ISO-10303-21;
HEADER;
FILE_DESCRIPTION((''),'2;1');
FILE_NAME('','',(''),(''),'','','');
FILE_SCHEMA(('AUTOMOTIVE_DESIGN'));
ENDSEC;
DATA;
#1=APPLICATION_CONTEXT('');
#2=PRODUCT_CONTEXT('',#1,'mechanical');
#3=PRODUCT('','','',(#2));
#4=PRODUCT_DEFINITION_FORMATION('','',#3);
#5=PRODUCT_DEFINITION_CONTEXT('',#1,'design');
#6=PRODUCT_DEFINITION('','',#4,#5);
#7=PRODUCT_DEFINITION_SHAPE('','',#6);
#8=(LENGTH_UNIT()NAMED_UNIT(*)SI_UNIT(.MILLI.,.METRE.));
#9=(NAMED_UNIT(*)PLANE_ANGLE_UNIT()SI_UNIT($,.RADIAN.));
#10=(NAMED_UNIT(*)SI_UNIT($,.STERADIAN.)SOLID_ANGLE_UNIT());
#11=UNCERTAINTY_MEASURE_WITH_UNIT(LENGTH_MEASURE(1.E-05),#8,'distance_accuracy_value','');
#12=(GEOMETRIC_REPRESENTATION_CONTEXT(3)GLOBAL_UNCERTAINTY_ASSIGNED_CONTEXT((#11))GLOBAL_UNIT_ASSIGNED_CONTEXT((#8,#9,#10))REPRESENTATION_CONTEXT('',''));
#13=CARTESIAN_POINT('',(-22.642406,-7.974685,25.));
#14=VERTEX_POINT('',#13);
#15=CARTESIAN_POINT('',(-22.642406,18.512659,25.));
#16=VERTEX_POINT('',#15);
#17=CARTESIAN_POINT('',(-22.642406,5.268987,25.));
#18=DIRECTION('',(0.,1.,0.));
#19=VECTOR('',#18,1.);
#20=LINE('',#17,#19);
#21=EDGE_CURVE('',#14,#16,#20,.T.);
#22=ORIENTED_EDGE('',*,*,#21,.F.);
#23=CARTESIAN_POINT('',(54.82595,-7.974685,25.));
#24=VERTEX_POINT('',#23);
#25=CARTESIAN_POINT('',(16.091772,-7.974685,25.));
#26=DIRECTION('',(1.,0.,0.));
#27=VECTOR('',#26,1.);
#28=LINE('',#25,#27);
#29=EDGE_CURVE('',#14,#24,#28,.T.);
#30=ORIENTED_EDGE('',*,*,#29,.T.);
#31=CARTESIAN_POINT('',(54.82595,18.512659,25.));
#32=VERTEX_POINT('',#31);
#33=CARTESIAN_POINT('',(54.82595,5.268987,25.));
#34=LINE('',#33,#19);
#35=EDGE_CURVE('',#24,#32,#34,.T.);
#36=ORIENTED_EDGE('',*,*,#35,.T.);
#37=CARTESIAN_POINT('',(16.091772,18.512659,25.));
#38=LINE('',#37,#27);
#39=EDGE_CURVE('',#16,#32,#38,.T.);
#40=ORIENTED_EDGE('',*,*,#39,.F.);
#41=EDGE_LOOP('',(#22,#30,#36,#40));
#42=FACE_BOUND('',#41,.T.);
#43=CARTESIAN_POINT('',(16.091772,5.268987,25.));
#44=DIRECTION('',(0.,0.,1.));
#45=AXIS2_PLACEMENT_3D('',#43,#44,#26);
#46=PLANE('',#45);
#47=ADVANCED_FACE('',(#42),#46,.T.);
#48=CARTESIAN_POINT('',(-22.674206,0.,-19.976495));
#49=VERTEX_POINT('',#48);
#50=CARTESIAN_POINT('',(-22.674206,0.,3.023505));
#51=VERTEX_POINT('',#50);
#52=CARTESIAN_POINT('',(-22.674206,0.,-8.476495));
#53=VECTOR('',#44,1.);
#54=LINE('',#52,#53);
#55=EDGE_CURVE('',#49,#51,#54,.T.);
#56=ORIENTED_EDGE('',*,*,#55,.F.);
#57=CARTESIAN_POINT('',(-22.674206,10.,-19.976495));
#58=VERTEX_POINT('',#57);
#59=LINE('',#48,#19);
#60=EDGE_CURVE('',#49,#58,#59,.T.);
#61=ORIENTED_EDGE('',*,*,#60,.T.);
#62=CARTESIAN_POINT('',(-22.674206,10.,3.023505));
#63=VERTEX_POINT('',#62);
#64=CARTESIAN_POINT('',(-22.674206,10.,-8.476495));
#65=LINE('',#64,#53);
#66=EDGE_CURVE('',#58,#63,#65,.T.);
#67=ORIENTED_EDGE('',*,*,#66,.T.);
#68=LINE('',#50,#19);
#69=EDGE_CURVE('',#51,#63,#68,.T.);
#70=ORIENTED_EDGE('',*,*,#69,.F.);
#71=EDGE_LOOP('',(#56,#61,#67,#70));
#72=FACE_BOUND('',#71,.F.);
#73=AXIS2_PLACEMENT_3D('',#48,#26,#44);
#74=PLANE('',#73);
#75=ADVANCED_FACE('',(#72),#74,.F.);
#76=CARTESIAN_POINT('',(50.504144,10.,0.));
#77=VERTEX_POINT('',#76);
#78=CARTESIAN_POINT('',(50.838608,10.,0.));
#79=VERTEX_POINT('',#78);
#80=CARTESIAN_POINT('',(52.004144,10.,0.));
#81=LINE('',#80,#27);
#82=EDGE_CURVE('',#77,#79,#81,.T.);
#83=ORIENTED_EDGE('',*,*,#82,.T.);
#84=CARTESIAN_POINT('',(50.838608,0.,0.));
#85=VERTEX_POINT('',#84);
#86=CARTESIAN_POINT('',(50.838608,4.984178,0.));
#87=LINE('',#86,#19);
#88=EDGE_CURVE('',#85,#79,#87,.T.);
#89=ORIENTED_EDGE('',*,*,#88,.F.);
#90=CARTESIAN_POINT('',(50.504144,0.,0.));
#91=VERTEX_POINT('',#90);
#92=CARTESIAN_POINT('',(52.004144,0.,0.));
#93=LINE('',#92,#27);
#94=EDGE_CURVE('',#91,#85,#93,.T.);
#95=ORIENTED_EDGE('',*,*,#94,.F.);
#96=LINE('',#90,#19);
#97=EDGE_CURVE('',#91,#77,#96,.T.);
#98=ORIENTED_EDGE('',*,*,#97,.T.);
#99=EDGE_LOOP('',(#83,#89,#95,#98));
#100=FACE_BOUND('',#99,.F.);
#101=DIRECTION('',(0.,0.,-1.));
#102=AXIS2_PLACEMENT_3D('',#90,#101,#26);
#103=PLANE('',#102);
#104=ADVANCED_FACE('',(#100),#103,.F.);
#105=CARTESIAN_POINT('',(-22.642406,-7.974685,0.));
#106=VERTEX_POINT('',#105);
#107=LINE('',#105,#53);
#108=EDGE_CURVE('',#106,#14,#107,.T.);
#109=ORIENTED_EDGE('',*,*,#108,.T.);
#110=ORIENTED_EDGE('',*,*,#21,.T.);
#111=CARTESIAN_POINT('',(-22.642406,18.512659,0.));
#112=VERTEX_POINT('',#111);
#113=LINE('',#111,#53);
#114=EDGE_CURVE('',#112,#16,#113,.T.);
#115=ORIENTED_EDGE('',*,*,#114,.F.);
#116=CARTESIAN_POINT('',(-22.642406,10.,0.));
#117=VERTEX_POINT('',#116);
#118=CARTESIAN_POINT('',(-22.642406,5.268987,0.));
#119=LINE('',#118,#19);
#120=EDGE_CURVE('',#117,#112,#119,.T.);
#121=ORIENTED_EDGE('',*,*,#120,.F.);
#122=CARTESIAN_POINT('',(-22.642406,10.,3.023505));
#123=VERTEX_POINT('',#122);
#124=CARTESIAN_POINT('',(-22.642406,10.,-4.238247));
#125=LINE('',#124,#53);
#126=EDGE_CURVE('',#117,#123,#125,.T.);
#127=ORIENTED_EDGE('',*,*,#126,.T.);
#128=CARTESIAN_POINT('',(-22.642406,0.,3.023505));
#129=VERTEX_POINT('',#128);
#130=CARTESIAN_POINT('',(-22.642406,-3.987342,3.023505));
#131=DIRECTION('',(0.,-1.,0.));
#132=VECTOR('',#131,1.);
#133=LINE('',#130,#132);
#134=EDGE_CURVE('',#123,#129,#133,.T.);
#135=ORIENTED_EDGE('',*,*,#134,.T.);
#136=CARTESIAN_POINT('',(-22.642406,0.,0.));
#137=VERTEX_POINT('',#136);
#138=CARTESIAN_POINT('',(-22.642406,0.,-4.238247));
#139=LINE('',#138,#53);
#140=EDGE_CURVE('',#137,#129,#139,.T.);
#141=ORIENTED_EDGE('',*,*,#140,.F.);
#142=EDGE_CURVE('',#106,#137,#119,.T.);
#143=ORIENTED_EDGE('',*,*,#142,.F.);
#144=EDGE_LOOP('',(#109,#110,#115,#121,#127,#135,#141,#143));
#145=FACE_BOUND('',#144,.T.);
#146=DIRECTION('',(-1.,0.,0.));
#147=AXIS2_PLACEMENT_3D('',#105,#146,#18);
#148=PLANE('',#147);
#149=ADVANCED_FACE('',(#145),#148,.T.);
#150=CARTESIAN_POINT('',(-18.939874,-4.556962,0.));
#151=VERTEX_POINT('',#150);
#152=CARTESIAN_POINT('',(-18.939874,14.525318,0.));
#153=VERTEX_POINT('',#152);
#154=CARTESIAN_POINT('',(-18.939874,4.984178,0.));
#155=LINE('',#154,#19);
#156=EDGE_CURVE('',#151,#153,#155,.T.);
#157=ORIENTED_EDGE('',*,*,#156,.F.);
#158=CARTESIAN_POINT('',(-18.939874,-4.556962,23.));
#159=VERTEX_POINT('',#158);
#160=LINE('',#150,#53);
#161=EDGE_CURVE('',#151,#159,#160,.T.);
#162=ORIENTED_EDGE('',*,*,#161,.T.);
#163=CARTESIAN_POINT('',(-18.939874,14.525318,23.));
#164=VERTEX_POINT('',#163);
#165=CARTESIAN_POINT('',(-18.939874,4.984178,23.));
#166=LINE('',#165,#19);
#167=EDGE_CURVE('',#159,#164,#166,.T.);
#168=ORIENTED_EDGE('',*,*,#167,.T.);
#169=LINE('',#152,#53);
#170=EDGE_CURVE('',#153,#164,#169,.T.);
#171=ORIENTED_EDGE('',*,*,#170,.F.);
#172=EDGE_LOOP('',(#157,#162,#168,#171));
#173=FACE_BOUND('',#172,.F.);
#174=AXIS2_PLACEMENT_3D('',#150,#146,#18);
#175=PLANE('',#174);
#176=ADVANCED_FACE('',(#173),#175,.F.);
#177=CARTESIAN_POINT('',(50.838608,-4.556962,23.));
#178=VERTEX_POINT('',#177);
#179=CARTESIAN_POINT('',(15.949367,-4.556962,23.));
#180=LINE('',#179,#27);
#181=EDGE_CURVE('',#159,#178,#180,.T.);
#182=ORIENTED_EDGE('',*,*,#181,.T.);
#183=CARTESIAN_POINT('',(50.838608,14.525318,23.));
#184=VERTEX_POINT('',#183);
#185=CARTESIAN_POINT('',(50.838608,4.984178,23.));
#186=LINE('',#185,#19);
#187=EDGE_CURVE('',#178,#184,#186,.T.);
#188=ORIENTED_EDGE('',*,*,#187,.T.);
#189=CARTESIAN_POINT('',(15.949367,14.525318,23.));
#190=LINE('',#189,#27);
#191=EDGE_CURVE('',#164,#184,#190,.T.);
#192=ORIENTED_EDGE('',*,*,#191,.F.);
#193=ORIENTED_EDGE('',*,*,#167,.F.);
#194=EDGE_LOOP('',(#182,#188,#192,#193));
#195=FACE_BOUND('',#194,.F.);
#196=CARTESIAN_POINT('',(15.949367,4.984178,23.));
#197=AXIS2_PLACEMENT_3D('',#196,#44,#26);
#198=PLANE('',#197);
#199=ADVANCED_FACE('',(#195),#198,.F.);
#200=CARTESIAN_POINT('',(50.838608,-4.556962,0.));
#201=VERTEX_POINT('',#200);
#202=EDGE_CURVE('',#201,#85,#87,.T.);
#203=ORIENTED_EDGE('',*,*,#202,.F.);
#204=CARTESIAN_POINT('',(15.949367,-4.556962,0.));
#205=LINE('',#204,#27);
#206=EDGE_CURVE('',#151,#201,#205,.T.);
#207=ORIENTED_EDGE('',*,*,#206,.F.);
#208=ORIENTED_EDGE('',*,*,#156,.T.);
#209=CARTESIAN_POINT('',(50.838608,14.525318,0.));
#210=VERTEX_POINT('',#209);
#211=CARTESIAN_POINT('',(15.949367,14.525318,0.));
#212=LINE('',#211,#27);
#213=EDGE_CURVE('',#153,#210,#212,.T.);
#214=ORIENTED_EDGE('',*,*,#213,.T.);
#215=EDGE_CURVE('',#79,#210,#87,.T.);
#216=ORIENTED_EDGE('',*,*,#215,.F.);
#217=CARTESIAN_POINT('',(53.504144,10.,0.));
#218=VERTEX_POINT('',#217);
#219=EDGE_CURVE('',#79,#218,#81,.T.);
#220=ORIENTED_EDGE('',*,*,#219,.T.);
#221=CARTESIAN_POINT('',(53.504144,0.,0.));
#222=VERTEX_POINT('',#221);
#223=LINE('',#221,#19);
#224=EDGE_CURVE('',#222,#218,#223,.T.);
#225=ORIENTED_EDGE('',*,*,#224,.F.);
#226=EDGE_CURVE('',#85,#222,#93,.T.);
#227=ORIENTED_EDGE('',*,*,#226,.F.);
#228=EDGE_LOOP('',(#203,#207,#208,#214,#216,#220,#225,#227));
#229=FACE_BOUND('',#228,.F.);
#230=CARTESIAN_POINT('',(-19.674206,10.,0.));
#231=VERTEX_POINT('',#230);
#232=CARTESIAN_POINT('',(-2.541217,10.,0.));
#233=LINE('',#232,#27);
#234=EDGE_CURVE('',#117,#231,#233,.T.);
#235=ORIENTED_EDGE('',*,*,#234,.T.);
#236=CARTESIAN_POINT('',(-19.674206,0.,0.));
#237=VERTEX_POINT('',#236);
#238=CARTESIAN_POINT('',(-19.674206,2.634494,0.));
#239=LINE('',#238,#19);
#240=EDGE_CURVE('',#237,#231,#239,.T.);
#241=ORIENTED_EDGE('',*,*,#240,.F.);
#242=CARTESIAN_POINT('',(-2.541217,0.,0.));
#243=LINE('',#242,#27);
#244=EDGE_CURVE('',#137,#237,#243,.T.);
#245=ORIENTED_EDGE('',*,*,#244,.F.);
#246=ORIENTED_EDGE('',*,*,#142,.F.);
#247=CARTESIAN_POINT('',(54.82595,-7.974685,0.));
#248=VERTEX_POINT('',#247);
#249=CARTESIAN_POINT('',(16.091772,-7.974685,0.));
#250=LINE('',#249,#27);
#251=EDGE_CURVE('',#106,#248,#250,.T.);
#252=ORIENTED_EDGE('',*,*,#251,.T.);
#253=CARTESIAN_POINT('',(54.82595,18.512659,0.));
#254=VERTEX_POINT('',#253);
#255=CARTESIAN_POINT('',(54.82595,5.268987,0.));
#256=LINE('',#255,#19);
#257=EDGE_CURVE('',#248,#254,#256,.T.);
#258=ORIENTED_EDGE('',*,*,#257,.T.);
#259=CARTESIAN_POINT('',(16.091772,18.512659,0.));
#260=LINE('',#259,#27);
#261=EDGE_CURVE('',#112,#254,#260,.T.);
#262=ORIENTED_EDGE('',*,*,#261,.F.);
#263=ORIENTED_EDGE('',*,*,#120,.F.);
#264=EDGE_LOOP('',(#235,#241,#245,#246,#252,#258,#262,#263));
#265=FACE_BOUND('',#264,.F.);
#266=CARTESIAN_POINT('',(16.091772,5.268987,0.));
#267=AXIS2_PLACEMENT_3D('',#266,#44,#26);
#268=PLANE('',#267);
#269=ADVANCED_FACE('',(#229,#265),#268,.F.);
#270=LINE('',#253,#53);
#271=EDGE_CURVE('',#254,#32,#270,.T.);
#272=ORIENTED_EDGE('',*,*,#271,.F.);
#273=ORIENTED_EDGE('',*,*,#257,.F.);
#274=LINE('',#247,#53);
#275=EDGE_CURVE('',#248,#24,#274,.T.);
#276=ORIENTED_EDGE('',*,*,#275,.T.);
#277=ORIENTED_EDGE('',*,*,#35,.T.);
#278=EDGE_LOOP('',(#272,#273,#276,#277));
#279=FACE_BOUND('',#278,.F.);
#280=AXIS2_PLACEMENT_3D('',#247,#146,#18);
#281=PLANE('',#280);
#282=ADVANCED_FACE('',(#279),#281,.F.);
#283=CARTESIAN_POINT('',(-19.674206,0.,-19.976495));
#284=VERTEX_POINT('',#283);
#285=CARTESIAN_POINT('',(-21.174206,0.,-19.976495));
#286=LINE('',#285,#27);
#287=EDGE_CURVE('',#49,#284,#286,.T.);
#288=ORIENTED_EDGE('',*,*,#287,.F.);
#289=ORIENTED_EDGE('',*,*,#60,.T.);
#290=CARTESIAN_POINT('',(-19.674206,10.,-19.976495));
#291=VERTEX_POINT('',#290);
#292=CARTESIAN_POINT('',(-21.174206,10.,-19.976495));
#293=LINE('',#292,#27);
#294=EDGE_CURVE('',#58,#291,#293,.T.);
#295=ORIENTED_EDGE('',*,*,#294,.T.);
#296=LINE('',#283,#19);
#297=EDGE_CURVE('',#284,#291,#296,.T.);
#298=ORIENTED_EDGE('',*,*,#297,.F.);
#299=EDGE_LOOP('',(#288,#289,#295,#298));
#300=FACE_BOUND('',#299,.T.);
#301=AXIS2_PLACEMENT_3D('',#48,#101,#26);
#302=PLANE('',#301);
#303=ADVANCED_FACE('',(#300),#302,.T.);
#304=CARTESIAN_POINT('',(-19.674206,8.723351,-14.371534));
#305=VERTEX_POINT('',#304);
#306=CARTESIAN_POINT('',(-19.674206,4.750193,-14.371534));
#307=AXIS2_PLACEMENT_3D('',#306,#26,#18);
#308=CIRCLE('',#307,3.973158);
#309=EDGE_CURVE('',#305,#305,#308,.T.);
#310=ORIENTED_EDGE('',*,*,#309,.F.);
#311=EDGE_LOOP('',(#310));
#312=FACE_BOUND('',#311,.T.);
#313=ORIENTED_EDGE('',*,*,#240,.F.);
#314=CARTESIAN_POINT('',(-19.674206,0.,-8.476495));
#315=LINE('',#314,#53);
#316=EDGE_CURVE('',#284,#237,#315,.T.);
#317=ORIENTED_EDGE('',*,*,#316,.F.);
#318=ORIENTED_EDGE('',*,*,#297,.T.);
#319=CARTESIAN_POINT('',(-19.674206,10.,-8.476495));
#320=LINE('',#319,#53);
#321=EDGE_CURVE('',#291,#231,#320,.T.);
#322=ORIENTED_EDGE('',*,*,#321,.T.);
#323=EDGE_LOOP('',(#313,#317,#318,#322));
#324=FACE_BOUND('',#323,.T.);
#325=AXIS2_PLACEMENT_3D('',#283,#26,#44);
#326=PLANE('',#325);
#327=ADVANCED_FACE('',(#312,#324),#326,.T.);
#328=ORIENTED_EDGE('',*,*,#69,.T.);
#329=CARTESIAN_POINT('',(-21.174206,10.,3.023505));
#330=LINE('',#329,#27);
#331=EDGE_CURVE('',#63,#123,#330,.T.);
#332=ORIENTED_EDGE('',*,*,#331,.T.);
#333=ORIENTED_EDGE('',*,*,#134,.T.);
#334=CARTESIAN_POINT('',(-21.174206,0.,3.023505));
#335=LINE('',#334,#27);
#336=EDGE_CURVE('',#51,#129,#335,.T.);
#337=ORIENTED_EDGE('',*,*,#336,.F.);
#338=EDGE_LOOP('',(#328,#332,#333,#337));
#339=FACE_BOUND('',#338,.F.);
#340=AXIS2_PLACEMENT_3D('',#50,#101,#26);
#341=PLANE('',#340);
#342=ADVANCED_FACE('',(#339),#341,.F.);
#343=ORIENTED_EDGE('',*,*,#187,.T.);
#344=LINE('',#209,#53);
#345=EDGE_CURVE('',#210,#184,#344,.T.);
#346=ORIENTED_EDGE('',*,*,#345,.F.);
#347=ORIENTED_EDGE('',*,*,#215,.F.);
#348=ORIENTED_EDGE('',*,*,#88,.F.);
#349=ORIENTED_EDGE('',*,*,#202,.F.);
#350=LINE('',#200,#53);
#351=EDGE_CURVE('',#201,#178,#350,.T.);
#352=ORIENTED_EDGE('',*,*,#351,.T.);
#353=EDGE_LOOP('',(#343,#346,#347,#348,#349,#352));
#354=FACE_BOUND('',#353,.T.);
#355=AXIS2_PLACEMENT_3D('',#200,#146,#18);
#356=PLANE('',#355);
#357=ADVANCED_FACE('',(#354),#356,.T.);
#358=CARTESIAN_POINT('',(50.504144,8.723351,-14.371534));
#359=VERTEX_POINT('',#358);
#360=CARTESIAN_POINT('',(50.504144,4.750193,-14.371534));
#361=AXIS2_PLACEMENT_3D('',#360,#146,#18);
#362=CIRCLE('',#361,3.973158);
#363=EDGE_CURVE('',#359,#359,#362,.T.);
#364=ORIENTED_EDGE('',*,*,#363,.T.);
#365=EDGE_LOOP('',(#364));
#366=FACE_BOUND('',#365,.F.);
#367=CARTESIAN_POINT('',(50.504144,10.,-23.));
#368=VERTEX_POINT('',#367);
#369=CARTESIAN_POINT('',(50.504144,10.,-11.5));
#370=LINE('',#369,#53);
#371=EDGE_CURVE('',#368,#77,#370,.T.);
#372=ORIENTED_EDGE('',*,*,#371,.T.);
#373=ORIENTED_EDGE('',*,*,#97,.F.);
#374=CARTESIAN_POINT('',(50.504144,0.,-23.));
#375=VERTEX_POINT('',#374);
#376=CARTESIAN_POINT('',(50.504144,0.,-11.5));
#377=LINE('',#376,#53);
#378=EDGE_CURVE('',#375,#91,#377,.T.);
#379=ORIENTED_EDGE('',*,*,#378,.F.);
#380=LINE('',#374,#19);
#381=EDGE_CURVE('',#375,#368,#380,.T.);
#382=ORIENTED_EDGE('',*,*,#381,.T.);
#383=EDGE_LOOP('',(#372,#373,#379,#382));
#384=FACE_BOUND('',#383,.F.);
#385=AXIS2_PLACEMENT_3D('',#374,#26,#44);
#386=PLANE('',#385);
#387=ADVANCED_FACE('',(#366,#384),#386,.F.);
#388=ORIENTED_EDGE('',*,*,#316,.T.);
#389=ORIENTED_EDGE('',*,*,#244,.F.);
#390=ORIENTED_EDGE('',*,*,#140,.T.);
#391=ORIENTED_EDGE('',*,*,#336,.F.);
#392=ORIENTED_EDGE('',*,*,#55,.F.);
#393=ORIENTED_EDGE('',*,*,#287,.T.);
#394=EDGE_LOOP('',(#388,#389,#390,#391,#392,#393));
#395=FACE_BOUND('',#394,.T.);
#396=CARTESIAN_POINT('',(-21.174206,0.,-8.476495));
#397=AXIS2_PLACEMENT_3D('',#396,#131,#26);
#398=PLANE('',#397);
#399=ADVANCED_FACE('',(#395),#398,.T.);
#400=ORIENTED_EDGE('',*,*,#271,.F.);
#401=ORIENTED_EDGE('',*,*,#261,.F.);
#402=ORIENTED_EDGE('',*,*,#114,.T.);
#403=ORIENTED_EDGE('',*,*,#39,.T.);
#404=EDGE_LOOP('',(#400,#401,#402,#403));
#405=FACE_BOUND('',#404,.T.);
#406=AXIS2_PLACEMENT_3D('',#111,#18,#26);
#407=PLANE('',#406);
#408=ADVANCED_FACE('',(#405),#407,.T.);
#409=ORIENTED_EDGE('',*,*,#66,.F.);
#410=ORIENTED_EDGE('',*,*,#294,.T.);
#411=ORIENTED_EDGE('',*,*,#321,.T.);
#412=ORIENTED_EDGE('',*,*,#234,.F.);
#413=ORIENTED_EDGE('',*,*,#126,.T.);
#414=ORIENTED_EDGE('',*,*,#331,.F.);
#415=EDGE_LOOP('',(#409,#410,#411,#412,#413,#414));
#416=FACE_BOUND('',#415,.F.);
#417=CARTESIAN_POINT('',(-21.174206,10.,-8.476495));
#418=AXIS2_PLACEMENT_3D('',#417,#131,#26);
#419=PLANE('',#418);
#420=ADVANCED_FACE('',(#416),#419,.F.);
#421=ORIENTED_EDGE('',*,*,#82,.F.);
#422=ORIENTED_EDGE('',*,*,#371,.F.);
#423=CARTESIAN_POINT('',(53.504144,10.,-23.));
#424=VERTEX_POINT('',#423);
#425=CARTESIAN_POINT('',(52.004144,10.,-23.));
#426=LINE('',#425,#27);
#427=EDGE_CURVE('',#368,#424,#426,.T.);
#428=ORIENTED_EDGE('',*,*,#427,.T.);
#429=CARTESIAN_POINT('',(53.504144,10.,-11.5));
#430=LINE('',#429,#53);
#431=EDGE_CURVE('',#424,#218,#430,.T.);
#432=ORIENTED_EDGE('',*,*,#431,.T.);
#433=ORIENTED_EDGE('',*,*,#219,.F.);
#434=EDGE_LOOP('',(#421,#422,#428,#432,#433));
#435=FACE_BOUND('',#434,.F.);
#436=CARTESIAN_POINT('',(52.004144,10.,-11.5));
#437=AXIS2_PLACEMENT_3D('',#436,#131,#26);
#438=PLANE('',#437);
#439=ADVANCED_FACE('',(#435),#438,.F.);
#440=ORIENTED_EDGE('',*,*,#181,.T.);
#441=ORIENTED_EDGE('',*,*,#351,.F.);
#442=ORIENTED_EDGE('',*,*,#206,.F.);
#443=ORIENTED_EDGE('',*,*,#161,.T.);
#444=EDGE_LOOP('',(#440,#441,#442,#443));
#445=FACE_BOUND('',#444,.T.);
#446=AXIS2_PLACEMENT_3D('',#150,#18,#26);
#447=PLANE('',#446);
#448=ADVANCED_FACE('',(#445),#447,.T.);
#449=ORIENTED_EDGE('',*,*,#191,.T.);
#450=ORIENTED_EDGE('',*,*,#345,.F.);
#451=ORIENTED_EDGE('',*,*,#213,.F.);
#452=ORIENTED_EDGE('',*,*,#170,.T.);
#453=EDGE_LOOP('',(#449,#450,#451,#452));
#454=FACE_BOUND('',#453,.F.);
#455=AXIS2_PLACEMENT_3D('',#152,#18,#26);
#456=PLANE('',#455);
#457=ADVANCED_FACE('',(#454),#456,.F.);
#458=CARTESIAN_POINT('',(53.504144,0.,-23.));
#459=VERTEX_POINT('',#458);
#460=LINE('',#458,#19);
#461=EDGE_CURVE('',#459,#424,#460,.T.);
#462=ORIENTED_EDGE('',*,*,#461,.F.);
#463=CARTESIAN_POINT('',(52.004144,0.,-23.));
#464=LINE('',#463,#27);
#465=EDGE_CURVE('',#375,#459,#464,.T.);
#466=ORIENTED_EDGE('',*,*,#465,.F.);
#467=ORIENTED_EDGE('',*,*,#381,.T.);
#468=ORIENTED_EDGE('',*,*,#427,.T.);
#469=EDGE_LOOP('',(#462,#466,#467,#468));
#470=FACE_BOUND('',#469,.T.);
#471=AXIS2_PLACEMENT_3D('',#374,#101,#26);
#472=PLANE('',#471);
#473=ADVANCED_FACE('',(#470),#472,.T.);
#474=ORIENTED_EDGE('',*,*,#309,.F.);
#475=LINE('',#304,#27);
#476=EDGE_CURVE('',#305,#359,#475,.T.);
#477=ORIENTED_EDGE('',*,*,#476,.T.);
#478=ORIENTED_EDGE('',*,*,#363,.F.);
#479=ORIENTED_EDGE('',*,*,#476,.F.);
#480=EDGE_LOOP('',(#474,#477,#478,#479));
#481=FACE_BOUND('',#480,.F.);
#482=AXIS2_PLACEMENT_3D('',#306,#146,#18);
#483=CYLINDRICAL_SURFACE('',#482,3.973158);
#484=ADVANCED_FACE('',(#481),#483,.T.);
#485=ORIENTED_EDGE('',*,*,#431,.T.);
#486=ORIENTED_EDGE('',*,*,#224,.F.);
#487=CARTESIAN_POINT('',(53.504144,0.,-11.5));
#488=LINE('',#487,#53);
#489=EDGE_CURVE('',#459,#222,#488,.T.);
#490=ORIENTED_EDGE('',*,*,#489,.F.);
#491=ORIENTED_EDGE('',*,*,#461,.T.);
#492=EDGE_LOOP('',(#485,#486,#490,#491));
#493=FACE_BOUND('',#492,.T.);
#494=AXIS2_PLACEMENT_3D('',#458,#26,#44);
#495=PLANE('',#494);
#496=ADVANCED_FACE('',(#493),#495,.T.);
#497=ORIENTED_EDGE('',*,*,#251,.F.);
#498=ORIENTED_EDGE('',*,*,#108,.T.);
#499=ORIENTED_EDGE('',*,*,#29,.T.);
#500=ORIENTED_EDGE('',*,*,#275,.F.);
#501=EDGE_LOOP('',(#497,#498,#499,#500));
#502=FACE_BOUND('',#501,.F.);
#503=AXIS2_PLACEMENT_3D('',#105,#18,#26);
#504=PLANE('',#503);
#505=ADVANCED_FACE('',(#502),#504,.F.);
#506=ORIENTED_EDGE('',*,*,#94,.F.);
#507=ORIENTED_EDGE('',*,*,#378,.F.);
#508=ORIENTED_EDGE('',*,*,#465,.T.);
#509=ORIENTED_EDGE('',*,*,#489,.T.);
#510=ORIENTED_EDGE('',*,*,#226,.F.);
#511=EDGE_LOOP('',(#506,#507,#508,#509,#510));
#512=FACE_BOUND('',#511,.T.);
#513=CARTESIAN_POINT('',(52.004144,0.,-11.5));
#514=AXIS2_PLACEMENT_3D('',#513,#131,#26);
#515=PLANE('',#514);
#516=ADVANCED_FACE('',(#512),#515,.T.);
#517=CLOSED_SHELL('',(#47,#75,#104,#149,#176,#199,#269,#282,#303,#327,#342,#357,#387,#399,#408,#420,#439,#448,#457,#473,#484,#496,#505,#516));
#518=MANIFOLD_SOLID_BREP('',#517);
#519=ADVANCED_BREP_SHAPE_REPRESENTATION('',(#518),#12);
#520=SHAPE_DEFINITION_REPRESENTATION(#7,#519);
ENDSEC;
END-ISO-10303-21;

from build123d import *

# Parameters (mm, degrees)
F0_W     = 77.468356
F0_H     = 26.487343
F1_DEPTH = 25
F2_W     = 69.778483
F2_H     = 19.08228
F3_DEPTH = 23
F4_W     = 3
F4_H     = 23
F5_DEPTH = 10
F6_R     = 3.973158
F7_DEPTH = 72


with BuildPart() as f1:
    # F0 (on Top) → F1 (new body)
    with BuildSketch(Plane.XY):
        with Locations((16.091772, 5.268987)):
            Rectangle(F0_W, F0_H)
    extrude(amount=F1_DEPTH)

    # F2 (on Top) → F3 (cut)
    with BuildSketch(Plane.XY):
        with Locations((15.949367, 4.984178)):
            Rectangle(F2_W, F2_H)
    extrude(amount=F3_DEPTH, mode=Mode.SUBTRACT)

    # F4 (on Front) → F5 (join)
    with BuildSketch(Plane.XZ):
        with Locations((-21.174206, -8.476495)):
            Rectangle(F4_W, F4_H)
        with Locations((52.004144, -11.5)):
            Rectangle(F4_W, F4_H)
    extrude(amount=-F5_DEPTH)

    # F6 (on face) → F7 (join)
    with BuildSketch(Plane.YZ.offset(-19.674206)):
        with Locations((4.750193, -14.371534)):
            Circle(F6_R)
    extrude(amount=F7_DEPTH)


solid = f1.part
